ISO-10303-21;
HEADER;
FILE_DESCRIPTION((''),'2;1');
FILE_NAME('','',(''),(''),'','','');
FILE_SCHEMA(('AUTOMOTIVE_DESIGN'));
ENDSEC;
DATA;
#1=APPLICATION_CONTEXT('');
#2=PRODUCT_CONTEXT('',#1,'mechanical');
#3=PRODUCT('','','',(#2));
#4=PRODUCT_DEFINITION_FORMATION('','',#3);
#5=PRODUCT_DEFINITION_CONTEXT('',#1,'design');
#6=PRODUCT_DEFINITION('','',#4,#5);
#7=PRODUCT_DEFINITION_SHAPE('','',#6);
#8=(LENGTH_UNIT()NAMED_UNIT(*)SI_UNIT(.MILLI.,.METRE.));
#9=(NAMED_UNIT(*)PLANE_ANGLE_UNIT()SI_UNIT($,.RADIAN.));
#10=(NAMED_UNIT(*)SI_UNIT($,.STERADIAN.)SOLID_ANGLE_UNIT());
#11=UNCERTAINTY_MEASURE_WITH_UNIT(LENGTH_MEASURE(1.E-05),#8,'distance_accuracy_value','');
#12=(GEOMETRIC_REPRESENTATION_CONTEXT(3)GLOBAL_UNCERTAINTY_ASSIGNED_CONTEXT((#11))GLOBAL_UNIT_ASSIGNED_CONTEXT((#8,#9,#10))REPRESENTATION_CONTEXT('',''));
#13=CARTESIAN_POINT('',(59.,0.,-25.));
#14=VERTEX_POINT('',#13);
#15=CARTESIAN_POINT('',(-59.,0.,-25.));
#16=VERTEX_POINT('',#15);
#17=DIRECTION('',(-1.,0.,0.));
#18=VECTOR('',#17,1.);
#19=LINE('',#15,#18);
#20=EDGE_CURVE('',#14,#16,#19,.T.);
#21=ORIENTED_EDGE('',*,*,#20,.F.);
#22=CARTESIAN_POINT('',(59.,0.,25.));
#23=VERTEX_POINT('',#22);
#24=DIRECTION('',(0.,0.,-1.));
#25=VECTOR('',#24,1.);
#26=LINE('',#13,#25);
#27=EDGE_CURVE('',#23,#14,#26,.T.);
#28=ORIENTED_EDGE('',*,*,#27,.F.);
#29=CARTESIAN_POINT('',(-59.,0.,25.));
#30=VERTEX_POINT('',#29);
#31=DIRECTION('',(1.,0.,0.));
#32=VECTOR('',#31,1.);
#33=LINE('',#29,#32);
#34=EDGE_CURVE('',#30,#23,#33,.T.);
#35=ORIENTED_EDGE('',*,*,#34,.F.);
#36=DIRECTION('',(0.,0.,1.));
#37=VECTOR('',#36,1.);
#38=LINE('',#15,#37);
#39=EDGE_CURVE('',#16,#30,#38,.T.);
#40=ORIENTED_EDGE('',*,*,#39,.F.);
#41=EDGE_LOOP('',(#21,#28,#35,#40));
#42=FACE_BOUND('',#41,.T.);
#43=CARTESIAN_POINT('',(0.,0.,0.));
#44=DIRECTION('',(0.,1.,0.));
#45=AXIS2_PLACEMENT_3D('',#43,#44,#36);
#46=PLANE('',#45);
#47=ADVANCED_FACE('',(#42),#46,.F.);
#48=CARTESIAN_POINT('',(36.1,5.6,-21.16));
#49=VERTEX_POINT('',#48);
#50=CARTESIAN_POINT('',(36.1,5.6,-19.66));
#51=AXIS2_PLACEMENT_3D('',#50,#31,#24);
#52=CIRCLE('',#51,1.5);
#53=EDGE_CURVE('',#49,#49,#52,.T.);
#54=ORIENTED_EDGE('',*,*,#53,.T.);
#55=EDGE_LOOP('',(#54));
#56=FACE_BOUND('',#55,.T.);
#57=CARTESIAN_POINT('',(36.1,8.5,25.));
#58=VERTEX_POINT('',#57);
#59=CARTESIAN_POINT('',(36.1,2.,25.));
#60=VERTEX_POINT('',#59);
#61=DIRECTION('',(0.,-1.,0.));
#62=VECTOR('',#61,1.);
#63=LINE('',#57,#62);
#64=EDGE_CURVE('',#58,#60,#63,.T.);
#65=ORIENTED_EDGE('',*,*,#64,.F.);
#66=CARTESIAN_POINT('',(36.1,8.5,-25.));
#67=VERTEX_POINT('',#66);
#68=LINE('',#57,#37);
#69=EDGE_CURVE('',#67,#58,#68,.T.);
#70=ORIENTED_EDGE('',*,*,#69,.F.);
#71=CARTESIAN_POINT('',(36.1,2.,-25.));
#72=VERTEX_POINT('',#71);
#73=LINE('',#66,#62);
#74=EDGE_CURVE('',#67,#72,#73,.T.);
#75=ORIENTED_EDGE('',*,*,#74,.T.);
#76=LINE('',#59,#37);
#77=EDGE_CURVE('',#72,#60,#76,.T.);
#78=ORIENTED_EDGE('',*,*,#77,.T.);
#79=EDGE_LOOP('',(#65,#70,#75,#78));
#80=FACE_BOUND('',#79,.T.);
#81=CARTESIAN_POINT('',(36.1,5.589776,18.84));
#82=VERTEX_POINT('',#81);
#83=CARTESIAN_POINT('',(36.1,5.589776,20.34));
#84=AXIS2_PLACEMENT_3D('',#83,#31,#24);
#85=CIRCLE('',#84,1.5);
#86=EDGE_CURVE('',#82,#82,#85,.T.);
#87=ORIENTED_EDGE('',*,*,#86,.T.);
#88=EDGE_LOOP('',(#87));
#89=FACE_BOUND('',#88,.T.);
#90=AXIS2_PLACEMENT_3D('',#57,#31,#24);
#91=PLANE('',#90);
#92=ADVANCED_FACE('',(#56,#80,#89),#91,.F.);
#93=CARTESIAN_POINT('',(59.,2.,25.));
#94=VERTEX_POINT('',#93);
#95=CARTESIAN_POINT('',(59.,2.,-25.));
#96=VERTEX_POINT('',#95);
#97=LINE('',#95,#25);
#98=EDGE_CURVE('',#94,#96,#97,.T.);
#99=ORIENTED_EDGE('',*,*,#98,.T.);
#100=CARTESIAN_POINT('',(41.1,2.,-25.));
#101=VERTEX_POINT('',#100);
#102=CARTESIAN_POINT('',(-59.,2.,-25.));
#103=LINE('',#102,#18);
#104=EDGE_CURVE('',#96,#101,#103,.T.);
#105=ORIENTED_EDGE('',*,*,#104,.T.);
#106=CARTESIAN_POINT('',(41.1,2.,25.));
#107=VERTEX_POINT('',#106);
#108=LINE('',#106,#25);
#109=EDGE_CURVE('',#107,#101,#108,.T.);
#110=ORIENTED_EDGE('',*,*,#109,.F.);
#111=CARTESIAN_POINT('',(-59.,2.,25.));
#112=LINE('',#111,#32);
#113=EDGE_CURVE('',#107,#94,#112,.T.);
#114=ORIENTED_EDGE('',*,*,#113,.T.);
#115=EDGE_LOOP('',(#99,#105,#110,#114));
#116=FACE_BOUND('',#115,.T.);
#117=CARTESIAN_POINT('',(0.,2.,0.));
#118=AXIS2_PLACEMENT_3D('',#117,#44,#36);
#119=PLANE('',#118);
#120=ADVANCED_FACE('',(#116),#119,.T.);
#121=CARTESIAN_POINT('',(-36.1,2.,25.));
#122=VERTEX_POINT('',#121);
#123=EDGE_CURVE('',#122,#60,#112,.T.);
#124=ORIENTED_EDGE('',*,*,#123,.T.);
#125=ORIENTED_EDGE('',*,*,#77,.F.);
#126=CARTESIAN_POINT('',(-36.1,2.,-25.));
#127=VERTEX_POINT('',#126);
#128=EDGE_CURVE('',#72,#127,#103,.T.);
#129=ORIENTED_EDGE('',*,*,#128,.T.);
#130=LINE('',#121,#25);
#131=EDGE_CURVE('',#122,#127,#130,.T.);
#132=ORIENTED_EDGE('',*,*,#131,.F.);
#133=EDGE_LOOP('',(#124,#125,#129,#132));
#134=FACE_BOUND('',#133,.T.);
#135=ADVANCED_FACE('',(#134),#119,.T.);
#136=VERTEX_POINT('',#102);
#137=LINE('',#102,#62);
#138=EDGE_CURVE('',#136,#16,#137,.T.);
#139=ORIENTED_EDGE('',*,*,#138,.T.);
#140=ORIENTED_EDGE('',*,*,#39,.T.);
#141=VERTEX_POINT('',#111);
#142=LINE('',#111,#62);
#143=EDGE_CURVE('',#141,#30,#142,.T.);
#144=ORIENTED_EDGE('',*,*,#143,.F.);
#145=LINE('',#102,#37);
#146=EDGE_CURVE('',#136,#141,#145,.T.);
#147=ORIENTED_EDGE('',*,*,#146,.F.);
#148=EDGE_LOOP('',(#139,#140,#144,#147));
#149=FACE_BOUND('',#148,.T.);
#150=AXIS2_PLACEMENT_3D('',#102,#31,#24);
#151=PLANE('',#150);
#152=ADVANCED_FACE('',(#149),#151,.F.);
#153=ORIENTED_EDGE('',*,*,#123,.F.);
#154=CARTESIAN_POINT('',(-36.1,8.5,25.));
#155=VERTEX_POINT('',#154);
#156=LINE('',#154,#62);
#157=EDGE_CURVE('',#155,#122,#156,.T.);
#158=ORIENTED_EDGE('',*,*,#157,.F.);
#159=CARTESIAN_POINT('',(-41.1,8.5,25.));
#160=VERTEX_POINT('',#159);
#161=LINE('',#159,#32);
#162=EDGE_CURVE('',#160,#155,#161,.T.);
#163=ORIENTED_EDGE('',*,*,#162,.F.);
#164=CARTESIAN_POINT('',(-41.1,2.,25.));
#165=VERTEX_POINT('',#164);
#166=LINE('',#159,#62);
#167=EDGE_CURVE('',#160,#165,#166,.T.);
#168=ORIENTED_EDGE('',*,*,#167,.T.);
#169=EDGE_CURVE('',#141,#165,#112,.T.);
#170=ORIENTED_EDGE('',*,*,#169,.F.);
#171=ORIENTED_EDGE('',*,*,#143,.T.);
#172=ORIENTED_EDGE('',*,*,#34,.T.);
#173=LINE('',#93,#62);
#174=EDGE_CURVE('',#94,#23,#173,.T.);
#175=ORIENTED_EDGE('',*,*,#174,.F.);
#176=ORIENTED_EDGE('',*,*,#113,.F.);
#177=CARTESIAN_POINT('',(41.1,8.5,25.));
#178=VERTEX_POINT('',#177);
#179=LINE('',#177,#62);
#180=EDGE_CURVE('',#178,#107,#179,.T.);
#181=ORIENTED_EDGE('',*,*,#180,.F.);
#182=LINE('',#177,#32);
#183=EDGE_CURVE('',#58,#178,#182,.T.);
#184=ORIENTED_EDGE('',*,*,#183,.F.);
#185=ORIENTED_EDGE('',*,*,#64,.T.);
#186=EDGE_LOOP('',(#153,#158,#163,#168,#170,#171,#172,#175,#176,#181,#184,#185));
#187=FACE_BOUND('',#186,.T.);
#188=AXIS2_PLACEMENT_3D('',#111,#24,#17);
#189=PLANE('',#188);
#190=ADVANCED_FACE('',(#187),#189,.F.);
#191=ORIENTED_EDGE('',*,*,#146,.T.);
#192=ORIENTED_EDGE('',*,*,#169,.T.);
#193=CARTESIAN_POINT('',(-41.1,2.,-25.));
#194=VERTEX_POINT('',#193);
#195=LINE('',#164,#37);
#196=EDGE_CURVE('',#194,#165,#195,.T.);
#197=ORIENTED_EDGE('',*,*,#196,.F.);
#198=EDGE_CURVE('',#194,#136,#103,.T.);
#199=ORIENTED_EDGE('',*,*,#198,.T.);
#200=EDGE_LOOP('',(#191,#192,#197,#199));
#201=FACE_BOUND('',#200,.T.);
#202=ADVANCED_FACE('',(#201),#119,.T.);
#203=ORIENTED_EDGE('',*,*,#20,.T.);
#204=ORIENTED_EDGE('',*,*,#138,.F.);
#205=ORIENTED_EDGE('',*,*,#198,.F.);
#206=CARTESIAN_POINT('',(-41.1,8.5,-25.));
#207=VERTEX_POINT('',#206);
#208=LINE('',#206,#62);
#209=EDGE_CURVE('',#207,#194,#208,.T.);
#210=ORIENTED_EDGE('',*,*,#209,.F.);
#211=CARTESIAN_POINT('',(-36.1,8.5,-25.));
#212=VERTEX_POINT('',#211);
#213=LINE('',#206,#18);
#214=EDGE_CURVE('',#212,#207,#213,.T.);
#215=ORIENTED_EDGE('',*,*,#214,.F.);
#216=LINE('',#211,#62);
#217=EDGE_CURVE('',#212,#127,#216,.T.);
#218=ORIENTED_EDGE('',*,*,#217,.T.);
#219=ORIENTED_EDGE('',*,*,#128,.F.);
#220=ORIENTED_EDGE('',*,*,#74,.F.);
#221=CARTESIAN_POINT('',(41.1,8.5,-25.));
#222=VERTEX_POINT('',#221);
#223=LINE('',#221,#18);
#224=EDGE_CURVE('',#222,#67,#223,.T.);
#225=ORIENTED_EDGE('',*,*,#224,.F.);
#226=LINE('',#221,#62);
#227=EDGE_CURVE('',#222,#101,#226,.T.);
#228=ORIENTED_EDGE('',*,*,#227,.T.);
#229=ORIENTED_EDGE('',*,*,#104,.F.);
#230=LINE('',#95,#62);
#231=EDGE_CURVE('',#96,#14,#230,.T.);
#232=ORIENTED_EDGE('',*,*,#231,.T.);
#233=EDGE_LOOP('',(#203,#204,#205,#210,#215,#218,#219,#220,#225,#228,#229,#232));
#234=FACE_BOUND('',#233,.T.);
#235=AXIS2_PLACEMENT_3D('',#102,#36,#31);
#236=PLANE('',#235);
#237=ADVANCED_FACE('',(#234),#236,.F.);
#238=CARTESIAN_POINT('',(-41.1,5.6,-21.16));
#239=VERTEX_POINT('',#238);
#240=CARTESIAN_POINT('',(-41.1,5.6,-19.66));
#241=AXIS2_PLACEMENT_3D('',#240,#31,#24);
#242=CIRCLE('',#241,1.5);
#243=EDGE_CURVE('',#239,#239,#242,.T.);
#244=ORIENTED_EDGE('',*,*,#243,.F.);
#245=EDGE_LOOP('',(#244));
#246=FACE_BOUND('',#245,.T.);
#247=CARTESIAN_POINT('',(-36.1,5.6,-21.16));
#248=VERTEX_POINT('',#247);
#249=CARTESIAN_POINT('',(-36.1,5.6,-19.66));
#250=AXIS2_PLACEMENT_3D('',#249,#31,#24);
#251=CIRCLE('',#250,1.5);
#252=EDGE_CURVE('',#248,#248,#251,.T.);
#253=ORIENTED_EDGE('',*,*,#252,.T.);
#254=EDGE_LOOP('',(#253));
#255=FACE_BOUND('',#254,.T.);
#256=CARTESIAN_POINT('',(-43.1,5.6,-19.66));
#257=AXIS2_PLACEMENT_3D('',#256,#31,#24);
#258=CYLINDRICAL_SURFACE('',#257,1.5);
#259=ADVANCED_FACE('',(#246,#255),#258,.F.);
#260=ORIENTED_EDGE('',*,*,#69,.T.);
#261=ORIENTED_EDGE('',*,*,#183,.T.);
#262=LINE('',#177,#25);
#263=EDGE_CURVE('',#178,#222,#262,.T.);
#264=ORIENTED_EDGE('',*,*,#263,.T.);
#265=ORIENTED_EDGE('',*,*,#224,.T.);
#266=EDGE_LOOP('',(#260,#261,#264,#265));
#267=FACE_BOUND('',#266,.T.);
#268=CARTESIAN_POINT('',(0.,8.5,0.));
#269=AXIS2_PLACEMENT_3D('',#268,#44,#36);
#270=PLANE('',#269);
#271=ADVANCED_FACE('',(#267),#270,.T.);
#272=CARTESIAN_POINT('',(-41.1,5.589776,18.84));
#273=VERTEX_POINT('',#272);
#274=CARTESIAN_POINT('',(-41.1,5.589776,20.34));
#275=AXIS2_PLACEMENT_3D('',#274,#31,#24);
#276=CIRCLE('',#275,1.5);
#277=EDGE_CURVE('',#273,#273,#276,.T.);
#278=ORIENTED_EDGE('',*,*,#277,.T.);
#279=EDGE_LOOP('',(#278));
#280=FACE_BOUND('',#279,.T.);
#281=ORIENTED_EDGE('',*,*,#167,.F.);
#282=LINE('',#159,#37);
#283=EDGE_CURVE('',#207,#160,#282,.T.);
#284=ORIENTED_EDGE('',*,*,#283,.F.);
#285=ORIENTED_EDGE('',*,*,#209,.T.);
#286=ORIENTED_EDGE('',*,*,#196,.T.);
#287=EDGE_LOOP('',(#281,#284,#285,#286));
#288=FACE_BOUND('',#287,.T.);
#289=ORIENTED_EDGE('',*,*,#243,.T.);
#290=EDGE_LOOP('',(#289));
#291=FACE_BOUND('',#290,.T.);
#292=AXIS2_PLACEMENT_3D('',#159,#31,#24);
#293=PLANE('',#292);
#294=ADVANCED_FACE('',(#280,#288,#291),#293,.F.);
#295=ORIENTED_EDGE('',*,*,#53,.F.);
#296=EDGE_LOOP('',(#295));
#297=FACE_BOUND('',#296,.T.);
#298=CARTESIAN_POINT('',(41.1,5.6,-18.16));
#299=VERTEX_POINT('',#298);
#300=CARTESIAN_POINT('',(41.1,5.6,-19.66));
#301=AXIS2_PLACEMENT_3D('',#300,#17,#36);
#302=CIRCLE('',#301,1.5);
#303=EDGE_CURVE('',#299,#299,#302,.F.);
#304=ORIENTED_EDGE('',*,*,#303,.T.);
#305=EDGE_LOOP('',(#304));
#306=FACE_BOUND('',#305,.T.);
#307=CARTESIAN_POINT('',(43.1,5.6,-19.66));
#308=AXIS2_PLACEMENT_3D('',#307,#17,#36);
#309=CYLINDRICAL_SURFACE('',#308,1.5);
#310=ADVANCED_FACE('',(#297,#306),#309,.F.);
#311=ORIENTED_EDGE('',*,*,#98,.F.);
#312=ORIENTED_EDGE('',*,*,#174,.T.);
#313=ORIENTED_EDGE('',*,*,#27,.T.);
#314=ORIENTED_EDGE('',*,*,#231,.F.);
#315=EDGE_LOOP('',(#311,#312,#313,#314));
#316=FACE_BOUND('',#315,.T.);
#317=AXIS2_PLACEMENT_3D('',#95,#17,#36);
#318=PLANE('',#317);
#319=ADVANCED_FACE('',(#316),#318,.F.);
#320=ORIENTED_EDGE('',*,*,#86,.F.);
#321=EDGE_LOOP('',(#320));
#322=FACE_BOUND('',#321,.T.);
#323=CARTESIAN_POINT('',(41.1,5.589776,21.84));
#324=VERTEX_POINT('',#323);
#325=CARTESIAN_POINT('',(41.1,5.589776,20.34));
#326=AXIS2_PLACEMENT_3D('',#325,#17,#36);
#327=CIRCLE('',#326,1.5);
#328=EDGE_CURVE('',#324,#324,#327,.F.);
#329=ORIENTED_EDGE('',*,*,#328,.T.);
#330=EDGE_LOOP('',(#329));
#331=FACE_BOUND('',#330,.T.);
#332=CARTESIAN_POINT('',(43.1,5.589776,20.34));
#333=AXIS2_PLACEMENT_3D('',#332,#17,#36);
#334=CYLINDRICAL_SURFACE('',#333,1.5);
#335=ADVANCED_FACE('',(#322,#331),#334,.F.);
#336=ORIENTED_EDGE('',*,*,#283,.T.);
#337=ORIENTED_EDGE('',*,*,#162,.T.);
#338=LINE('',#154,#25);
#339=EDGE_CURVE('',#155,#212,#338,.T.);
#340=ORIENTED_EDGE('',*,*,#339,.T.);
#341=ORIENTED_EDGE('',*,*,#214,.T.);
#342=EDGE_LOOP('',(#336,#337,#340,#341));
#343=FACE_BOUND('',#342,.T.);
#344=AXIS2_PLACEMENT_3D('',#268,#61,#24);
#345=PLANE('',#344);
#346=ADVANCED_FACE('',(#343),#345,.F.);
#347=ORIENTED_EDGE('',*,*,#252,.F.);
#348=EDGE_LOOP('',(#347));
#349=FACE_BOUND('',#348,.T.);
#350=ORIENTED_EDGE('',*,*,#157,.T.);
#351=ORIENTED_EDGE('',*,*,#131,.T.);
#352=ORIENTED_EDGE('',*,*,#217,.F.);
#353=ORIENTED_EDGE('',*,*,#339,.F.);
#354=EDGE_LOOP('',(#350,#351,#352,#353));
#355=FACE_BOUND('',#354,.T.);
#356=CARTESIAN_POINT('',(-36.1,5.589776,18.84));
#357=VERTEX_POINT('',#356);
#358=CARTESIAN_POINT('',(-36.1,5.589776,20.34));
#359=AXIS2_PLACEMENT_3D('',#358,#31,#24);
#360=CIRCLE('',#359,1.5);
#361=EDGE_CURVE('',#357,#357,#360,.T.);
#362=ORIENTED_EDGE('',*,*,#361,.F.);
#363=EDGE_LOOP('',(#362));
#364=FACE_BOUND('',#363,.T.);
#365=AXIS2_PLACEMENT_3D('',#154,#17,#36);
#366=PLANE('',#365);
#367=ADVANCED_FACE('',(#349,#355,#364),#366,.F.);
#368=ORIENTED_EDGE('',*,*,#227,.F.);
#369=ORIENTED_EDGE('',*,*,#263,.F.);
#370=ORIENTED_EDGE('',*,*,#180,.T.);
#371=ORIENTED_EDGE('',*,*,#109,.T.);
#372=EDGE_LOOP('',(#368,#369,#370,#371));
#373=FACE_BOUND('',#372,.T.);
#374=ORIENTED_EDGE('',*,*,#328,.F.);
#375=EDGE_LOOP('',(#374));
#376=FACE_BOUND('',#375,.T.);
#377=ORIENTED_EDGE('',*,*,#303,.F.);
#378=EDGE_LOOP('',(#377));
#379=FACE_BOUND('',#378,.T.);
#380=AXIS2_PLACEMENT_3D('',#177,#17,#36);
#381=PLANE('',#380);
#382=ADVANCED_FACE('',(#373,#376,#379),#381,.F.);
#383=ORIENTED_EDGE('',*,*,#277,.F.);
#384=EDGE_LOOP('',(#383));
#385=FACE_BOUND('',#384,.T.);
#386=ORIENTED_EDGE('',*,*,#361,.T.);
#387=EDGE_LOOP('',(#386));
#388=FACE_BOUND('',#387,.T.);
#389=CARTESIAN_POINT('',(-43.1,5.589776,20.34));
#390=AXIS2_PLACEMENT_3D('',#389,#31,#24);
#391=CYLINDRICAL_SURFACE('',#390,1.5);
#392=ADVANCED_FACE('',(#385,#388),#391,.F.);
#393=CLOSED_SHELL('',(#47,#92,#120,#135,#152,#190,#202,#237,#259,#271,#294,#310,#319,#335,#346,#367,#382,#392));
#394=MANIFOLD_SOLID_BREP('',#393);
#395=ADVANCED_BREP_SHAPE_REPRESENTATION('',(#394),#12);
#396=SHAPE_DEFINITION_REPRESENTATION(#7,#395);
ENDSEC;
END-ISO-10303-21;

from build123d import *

# Parameters (mm, degrees)
SKETCH1_W           = 118
SKETCH1_H           = 50
BOSS_EXTRUDE1_DEPTH = 2
SKETCH2_W           = 5
SKETCH2_H           = 50
BOSS_EXTRUDE2_DEPTH = 6.5
SKETCH3_R           = 1.5
CUT_EXTRUDE1_DEPTH  = 7


with BuildPart() as part:
    # Sketch1 → Boss-Extrude1 (new body)
    with BuildSketch(Plane(origin=(0, 0, 0), x_dir=(1, 0, 0), z_dir=(0, 1, 0))):
        Rectangle(SKETCH1_W, SKETCH1_H)
    extrude(amount=BOSS_EXTRUDE1_DEPTH)

    # Sketch2 → Boss-Extrude2 (add)
    with BuildSketch(Plane(origin=(0, 2, 0), x_dir=(1, 0, 0), z_dir=(0, 1, 0))):
        with Locations((-38.6, 0)):
            Rectangle(SKETCH2_W, SKETCH2_H)
        with Locations((38.6, 0)):
            Rectangle(SKETCH2_W, SKETCH2_H)
    extrude(amount=BOSS_EXTRUDE2_DEPTH)

    # Sketch3 → Cut-Extrude1 (cut)
    with BuildSketch(Plane(origin=(-36.1, 0, 0), x_dir=(0, 0, -1), z_dir=(1, 0, 0))):
        with Locations((-20.34, 5.589776131)):
            Circle(SKETCH3_R)
        with Locations((19.66, 5.6)):
            Circle(SKETCH3_R)
    cut_extrude1 = extrude(amount=-CUT_EXTRUDE1_DEPTH, mode=Mode.SUBTRACT)

    # Mirror1: Cut-Extrude1 across plane
    add(cut_extrude1.mirror(Plane(origin=(0, 0, 0), x_dir=(0, 0, 1), z_dir=(1, 0, 0))), mode=Mode.SUBTRACT)


solid = part.part
